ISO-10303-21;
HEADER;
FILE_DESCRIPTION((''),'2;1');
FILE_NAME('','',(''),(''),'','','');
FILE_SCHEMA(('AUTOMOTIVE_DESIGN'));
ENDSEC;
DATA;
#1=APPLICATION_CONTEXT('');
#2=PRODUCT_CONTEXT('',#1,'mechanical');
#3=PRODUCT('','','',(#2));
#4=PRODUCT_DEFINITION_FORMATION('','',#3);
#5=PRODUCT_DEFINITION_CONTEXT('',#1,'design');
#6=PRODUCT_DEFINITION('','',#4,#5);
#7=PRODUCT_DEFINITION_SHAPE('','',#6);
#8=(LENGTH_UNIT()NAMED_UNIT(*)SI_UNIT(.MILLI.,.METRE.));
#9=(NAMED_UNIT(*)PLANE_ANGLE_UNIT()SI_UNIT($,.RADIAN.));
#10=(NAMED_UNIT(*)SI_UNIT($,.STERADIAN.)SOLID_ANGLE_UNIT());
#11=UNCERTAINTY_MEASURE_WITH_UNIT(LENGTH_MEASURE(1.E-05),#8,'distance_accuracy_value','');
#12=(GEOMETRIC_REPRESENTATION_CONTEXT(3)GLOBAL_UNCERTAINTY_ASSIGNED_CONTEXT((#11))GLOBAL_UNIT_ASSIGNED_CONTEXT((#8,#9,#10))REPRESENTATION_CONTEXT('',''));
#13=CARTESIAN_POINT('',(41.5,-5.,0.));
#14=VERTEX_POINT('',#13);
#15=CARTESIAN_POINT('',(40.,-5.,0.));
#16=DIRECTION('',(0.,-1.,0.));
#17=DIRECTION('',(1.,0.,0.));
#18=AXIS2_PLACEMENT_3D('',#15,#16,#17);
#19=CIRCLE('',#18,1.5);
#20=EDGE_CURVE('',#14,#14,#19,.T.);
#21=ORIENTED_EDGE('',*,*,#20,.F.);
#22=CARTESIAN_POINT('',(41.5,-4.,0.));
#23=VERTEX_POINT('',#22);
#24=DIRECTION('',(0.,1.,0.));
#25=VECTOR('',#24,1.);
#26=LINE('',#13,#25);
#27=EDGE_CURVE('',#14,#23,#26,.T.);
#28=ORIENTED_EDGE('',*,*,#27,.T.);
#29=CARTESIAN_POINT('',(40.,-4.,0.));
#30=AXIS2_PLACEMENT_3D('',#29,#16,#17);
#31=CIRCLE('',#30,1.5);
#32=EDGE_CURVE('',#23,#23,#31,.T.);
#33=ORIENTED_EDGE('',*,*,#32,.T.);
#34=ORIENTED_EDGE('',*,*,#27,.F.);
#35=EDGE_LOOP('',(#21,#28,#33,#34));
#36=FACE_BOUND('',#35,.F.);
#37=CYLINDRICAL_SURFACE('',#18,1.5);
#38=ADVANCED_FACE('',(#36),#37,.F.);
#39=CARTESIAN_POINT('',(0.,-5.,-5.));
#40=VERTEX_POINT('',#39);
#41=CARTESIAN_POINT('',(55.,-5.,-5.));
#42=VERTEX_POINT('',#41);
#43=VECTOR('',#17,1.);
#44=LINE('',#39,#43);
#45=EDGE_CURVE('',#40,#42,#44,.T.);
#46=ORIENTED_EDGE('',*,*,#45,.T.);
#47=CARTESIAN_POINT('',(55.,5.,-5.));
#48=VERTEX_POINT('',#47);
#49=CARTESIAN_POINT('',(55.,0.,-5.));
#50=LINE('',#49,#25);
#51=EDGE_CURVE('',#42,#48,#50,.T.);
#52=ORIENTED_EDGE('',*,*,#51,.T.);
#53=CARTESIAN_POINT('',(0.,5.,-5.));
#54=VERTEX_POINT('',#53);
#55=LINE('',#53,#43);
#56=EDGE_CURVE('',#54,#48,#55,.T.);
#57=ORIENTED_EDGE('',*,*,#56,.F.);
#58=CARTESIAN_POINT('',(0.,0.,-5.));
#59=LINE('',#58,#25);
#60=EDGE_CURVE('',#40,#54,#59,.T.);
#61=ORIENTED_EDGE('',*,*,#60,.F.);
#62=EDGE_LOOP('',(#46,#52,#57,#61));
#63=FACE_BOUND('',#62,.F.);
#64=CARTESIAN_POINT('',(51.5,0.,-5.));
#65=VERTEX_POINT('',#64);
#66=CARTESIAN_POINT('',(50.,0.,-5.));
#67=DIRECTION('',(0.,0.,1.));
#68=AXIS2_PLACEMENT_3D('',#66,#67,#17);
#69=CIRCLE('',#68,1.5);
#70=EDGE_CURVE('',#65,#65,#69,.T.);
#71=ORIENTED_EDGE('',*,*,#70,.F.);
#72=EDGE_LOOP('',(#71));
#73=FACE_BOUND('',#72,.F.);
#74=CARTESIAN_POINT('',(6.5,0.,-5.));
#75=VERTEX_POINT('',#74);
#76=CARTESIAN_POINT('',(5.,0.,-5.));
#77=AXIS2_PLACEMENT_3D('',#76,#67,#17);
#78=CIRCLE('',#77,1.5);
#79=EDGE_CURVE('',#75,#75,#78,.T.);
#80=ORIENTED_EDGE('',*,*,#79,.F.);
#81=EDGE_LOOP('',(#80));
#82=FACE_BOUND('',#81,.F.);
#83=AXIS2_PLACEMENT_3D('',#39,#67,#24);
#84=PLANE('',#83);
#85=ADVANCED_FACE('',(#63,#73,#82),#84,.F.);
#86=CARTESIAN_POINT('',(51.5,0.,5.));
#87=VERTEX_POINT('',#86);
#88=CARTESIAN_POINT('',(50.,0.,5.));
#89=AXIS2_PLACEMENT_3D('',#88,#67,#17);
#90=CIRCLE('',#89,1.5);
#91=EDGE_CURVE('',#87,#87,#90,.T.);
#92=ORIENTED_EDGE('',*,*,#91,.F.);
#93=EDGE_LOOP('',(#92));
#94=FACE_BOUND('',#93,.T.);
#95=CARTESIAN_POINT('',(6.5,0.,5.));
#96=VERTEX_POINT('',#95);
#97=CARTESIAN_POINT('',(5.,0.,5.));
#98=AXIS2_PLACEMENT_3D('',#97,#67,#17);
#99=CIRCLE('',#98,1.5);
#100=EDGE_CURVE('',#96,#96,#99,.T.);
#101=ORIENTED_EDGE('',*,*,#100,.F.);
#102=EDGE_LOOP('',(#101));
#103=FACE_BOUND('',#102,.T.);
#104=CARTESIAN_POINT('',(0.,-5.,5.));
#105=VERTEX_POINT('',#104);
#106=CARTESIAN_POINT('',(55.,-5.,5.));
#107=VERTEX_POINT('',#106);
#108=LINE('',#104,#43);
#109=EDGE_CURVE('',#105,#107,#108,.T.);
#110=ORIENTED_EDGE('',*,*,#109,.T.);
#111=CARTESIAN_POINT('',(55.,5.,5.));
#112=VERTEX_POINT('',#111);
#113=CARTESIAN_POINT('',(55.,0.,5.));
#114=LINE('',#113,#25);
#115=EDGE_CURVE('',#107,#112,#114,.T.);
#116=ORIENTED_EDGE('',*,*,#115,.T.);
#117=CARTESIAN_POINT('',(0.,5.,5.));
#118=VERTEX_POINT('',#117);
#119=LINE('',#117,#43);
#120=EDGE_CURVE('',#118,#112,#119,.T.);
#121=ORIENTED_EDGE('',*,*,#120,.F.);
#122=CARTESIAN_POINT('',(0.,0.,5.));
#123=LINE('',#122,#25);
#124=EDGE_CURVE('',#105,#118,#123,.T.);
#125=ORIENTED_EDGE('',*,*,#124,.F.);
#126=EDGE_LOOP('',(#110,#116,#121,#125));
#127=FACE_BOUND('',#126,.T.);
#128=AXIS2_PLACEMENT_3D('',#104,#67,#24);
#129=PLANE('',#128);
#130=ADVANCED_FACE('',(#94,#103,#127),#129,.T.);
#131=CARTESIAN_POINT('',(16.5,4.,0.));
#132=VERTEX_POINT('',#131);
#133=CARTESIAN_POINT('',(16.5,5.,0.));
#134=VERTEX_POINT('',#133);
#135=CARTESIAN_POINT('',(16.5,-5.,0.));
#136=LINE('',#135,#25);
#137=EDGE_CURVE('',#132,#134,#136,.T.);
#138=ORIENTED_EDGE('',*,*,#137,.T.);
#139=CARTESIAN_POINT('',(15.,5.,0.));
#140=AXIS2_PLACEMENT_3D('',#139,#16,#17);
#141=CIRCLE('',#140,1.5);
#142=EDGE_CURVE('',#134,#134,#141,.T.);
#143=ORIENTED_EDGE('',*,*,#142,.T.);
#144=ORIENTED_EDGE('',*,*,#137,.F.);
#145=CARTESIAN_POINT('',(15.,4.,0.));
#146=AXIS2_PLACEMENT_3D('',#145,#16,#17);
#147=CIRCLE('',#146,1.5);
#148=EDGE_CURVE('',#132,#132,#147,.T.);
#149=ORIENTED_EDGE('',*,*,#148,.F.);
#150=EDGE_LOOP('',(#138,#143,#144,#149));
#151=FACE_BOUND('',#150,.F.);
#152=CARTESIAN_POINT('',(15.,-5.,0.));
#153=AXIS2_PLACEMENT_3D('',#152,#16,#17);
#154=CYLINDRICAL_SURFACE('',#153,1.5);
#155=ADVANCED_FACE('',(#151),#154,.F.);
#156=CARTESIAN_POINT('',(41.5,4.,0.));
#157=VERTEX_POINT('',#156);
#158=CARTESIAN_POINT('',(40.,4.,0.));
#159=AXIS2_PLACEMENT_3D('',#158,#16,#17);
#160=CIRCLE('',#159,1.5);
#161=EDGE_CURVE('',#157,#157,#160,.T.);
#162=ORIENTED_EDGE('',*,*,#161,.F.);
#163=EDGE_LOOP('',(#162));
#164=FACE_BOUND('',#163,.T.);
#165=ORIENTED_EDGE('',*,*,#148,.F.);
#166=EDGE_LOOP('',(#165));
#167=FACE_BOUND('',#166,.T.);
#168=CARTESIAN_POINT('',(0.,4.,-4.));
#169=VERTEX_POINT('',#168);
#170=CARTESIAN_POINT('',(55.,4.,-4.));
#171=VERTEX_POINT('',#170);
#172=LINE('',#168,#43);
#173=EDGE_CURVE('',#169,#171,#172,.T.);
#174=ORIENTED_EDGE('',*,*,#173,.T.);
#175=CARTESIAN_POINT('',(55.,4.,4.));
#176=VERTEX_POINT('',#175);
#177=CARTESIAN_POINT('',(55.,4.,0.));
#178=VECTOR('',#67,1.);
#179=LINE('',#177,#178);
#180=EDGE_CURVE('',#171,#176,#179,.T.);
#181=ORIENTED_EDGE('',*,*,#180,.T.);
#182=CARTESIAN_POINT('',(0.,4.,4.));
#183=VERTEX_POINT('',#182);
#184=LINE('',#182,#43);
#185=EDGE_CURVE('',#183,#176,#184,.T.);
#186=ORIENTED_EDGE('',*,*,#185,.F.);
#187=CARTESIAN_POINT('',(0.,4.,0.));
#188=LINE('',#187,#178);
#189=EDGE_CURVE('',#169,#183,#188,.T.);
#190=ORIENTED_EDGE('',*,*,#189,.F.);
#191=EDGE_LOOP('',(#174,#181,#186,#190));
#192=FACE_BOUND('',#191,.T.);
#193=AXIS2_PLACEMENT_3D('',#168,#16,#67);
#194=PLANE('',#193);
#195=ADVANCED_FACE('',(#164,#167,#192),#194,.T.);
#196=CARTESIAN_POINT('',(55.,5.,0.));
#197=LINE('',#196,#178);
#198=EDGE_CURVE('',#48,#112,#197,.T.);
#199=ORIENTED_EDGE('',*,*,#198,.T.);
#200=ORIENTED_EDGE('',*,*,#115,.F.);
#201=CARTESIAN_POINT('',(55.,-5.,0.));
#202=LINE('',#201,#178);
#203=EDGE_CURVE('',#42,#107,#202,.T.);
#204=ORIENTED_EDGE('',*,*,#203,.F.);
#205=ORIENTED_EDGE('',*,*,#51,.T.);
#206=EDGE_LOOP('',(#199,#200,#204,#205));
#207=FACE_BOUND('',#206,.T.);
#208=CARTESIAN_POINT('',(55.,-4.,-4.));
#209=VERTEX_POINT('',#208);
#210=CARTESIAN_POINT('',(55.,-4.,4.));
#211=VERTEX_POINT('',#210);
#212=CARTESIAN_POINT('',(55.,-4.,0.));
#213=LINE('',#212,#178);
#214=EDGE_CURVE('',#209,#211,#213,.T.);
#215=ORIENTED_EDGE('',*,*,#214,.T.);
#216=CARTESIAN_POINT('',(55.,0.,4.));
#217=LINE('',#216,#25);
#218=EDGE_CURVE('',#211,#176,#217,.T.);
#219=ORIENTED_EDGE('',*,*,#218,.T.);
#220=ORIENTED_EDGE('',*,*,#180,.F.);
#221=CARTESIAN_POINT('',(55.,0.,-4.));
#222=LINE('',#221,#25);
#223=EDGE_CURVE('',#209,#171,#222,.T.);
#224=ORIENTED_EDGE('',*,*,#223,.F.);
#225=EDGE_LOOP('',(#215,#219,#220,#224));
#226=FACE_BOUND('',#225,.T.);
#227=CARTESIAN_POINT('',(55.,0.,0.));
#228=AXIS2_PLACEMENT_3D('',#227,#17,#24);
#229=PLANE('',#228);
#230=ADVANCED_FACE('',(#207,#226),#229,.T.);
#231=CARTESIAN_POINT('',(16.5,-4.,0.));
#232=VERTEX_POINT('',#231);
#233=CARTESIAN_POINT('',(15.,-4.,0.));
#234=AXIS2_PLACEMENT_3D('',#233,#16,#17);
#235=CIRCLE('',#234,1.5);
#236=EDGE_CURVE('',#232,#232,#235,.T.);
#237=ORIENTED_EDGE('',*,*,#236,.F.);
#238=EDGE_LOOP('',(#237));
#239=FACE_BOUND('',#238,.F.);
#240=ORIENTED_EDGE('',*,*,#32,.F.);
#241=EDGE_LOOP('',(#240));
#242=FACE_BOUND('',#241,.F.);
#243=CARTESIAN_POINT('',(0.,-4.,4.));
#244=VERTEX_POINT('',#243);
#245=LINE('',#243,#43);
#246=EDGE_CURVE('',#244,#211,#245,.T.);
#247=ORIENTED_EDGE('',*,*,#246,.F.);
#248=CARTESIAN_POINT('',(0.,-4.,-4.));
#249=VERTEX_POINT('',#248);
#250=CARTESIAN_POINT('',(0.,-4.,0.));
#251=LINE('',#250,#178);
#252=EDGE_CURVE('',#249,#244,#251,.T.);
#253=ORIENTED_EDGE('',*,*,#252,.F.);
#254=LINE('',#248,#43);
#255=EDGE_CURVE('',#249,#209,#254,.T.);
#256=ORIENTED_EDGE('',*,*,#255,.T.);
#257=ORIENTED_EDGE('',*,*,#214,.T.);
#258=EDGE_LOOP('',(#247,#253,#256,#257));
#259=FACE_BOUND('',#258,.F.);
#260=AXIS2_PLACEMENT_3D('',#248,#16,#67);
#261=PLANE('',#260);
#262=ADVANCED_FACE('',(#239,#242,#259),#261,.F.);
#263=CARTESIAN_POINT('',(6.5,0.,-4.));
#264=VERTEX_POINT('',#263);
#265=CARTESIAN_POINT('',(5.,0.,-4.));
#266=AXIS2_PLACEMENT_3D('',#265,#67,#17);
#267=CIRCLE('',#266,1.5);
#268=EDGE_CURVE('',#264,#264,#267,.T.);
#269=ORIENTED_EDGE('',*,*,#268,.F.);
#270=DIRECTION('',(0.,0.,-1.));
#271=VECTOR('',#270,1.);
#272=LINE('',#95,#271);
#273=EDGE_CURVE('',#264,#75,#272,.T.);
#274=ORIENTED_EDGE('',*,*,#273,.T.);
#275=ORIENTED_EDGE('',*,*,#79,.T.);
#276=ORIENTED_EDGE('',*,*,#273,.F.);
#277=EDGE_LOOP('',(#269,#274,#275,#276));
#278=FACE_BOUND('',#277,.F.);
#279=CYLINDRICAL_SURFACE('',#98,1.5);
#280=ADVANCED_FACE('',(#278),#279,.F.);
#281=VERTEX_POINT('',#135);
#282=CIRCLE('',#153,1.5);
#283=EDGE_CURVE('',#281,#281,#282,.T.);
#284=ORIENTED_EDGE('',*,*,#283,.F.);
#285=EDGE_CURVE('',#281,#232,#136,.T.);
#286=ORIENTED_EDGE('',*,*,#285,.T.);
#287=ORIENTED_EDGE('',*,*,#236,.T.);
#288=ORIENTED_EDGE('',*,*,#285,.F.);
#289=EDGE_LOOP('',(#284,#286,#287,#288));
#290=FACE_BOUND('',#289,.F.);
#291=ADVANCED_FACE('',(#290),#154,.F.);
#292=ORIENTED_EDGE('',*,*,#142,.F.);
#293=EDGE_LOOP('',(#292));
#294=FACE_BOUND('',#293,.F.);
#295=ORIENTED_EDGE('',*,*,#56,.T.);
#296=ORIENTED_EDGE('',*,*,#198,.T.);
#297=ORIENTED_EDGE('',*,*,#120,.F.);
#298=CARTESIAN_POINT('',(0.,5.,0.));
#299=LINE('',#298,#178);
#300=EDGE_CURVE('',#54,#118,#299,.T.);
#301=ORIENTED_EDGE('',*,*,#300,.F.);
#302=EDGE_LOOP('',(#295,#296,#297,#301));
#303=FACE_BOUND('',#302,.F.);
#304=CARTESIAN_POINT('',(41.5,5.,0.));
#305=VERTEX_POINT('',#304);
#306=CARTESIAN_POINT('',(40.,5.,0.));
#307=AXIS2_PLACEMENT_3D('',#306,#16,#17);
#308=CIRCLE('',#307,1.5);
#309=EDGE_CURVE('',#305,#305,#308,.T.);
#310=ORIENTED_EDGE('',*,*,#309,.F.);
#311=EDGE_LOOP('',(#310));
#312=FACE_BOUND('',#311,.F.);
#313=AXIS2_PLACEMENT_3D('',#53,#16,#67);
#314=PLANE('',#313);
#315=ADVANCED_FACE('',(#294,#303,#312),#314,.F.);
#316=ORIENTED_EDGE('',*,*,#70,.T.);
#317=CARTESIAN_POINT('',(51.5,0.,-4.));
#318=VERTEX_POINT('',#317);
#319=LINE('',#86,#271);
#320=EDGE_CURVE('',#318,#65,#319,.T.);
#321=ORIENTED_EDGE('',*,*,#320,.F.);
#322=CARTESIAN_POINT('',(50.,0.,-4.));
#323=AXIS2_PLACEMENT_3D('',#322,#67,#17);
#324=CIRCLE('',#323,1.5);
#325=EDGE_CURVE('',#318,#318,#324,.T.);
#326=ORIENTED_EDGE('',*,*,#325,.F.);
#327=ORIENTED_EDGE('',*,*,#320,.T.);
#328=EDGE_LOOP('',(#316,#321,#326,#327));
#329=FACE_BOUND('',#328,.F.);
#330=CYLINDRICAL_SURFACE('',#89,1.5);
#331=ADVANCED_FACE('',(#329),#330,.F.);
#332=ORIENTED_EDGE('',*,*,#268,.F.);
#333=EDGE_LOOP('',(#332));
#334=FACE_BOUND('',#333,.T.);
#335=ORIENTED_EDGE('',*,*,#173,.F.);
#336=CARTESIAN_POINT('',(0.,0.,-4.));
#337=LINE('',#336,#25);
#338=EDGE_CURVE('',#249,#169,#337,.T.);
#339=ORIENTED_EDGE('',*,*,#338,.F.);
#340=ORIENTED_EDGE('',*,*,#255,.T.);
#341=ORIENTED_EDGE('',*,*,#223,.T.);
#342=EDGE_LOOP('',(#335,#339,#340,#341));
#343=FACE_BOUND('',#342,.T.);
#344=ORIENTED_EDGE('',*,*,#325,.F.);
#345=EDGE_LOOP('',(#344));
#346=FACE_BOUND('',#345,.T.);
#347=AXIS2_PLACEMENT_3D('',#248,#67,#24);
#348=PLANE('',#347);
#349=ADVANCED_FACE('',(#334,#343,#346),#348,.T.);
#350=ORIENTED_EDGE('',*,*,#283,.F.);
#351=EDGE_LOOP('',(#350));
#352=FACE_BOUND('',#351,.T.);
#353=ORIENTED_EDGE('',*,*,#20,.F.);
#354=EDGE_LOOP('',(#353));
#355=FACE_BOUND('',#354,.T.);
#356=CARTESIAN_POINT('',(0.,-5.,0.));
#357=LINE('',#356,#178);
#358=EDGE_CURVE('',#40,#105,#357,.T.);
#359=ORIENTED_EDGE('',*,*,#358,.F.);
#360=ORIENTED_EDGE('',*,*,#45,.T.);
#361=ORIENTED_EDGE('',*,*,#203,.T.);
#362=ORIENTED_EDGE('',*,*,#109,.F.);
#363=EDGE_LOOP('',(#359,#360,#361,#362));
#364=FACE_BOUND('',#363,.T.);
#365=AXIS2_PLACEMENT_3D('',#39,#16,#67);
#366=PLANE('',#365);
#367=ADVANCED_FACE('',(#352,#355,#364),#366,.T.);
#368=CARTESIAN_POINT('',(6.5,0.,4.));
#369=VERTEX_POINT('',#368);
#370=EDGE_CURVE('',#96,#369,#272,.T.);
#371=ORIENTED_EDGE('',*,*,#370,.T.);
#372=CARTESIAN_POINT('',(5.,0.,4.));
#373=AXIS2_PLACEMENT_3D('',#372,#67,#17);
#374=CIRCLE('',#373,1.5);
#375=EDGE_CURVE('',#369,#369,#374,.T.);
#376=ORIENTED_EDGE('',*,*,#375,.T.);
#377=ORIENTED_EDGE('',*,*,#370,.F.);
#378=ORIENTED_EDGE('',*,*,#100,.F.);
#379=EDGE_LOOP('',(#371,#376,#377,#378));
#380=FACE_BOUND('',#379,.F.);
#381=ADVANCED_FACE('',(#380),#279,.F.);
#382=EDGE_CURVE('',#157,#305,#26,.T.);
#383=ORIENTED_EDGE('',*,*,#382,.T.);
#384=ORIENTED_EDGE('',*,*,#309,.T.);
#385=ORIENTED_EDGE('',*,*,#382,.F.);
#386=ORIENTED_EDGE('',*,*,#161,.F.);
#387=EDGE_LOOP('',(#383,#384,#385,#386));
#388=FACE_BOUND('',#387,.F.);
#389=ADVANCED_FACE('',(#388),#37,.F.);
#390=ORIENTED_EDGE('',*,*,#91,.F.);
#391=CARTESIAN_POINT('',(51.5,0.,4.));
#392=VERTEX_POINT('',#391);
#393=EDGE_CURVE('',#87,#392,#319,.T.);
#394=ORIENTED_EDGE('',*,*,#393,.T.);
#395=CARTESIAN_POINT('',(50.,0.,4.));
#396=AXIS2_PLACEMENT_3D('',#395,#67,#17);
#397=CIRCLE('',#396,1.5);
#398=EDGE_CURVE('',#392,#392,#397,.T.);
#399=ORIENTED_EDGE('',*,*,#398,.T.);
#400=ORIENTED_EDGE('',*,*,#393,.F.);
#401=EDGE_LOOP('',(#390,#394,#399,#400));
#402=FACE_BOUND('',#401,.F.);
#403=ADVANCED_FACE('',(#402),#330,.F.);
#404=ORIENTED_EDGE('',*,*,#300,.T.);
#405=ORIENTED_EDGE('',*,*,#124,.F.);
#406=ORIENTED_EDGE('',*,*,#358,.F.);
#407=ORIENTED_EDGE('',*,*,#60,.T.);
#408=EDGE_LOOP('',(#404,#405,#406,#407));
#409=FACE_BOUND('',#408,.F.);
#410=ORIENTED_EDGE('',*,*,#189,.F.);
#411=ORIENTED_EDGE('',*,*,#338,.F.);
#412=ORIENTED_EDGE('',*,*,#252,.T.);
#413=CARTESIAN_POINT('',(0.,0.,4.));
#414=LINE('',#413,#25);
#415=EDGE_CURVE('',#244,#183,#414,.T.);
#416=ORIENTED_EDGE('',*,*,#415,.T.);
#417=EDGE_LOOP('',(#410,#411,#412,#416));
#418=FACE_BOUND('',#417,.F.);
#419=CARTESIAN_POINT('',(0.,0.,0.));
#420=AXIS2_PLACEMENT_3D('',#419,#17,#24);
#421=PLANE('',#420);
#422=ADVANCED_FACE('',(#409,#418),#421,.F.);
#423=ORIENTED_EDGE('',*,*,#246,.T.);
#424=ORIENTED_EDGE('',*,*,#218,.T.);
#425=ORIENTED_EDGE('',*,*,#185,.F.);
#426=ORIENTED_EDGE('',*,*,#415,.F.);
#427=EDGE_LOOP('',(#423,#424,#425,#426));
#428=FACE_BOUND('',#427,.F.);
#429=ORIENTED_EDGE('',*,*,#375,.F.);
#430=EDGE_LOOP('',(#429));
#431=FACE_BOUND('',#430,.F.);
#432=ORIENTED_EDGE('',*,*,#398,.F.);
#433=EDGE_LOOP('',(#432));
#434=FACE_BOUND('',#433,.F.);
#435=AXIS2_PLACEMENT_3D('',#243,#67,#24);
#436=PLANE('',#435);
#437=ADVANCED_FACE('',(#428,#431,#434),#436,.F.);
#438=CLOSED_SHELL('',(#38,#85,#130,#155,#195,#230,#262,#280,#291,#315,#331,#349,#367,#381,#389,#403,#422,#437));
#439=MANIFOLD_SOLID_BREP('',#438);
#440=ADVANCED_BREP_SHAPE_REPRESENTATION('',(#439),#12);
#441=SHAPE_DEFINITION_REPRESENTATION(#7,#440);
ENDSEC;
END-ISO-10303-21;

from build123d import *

# Parameters (mm, degrees)
F0_W     = 10
F0_H     = 10
F0_W_2   = 8
F0_H_2   = 8
F1_DEPTH = 55
F2_R     = 1.5
F3_DEPTH = 25
F4_R     = 1.5
F5_DEPTH = 25


with BuildPart() as f1:
    # F0 (on Right) → F1 (new body)
    with BuildSketch(Plane.YZ):
        Rectangle(F0_W, F0_H)
        Rectangle(F0_W_2, F0_H_2, mode=Mode.SUBTRACT)
    extrude(amount=F1_DEPTH)

    # F2 (on face) → F3 (cut)
    with BuildSketch(Plane.XY.offset(5)):
        with Locations((5, 0)):
            Circle(F2_R)
        with Locations((50, 0)):
            Circle(F2_R)
    extrude(amount=-F3_DEPTH, mode=Mode.SUBTRACT)

    # F4 (on face) → F5 (cut)
    with BuildSketch(Plane.XZ.offset(5)):
        with Locations((15, 0)):
            Circle(F4_R)
        with Locations((40, 0)):
            Circle(F4_R)
    extrude(amount=-F5_DEPTH, mode=Mode.SUBTRACT)


solid = f1.part
